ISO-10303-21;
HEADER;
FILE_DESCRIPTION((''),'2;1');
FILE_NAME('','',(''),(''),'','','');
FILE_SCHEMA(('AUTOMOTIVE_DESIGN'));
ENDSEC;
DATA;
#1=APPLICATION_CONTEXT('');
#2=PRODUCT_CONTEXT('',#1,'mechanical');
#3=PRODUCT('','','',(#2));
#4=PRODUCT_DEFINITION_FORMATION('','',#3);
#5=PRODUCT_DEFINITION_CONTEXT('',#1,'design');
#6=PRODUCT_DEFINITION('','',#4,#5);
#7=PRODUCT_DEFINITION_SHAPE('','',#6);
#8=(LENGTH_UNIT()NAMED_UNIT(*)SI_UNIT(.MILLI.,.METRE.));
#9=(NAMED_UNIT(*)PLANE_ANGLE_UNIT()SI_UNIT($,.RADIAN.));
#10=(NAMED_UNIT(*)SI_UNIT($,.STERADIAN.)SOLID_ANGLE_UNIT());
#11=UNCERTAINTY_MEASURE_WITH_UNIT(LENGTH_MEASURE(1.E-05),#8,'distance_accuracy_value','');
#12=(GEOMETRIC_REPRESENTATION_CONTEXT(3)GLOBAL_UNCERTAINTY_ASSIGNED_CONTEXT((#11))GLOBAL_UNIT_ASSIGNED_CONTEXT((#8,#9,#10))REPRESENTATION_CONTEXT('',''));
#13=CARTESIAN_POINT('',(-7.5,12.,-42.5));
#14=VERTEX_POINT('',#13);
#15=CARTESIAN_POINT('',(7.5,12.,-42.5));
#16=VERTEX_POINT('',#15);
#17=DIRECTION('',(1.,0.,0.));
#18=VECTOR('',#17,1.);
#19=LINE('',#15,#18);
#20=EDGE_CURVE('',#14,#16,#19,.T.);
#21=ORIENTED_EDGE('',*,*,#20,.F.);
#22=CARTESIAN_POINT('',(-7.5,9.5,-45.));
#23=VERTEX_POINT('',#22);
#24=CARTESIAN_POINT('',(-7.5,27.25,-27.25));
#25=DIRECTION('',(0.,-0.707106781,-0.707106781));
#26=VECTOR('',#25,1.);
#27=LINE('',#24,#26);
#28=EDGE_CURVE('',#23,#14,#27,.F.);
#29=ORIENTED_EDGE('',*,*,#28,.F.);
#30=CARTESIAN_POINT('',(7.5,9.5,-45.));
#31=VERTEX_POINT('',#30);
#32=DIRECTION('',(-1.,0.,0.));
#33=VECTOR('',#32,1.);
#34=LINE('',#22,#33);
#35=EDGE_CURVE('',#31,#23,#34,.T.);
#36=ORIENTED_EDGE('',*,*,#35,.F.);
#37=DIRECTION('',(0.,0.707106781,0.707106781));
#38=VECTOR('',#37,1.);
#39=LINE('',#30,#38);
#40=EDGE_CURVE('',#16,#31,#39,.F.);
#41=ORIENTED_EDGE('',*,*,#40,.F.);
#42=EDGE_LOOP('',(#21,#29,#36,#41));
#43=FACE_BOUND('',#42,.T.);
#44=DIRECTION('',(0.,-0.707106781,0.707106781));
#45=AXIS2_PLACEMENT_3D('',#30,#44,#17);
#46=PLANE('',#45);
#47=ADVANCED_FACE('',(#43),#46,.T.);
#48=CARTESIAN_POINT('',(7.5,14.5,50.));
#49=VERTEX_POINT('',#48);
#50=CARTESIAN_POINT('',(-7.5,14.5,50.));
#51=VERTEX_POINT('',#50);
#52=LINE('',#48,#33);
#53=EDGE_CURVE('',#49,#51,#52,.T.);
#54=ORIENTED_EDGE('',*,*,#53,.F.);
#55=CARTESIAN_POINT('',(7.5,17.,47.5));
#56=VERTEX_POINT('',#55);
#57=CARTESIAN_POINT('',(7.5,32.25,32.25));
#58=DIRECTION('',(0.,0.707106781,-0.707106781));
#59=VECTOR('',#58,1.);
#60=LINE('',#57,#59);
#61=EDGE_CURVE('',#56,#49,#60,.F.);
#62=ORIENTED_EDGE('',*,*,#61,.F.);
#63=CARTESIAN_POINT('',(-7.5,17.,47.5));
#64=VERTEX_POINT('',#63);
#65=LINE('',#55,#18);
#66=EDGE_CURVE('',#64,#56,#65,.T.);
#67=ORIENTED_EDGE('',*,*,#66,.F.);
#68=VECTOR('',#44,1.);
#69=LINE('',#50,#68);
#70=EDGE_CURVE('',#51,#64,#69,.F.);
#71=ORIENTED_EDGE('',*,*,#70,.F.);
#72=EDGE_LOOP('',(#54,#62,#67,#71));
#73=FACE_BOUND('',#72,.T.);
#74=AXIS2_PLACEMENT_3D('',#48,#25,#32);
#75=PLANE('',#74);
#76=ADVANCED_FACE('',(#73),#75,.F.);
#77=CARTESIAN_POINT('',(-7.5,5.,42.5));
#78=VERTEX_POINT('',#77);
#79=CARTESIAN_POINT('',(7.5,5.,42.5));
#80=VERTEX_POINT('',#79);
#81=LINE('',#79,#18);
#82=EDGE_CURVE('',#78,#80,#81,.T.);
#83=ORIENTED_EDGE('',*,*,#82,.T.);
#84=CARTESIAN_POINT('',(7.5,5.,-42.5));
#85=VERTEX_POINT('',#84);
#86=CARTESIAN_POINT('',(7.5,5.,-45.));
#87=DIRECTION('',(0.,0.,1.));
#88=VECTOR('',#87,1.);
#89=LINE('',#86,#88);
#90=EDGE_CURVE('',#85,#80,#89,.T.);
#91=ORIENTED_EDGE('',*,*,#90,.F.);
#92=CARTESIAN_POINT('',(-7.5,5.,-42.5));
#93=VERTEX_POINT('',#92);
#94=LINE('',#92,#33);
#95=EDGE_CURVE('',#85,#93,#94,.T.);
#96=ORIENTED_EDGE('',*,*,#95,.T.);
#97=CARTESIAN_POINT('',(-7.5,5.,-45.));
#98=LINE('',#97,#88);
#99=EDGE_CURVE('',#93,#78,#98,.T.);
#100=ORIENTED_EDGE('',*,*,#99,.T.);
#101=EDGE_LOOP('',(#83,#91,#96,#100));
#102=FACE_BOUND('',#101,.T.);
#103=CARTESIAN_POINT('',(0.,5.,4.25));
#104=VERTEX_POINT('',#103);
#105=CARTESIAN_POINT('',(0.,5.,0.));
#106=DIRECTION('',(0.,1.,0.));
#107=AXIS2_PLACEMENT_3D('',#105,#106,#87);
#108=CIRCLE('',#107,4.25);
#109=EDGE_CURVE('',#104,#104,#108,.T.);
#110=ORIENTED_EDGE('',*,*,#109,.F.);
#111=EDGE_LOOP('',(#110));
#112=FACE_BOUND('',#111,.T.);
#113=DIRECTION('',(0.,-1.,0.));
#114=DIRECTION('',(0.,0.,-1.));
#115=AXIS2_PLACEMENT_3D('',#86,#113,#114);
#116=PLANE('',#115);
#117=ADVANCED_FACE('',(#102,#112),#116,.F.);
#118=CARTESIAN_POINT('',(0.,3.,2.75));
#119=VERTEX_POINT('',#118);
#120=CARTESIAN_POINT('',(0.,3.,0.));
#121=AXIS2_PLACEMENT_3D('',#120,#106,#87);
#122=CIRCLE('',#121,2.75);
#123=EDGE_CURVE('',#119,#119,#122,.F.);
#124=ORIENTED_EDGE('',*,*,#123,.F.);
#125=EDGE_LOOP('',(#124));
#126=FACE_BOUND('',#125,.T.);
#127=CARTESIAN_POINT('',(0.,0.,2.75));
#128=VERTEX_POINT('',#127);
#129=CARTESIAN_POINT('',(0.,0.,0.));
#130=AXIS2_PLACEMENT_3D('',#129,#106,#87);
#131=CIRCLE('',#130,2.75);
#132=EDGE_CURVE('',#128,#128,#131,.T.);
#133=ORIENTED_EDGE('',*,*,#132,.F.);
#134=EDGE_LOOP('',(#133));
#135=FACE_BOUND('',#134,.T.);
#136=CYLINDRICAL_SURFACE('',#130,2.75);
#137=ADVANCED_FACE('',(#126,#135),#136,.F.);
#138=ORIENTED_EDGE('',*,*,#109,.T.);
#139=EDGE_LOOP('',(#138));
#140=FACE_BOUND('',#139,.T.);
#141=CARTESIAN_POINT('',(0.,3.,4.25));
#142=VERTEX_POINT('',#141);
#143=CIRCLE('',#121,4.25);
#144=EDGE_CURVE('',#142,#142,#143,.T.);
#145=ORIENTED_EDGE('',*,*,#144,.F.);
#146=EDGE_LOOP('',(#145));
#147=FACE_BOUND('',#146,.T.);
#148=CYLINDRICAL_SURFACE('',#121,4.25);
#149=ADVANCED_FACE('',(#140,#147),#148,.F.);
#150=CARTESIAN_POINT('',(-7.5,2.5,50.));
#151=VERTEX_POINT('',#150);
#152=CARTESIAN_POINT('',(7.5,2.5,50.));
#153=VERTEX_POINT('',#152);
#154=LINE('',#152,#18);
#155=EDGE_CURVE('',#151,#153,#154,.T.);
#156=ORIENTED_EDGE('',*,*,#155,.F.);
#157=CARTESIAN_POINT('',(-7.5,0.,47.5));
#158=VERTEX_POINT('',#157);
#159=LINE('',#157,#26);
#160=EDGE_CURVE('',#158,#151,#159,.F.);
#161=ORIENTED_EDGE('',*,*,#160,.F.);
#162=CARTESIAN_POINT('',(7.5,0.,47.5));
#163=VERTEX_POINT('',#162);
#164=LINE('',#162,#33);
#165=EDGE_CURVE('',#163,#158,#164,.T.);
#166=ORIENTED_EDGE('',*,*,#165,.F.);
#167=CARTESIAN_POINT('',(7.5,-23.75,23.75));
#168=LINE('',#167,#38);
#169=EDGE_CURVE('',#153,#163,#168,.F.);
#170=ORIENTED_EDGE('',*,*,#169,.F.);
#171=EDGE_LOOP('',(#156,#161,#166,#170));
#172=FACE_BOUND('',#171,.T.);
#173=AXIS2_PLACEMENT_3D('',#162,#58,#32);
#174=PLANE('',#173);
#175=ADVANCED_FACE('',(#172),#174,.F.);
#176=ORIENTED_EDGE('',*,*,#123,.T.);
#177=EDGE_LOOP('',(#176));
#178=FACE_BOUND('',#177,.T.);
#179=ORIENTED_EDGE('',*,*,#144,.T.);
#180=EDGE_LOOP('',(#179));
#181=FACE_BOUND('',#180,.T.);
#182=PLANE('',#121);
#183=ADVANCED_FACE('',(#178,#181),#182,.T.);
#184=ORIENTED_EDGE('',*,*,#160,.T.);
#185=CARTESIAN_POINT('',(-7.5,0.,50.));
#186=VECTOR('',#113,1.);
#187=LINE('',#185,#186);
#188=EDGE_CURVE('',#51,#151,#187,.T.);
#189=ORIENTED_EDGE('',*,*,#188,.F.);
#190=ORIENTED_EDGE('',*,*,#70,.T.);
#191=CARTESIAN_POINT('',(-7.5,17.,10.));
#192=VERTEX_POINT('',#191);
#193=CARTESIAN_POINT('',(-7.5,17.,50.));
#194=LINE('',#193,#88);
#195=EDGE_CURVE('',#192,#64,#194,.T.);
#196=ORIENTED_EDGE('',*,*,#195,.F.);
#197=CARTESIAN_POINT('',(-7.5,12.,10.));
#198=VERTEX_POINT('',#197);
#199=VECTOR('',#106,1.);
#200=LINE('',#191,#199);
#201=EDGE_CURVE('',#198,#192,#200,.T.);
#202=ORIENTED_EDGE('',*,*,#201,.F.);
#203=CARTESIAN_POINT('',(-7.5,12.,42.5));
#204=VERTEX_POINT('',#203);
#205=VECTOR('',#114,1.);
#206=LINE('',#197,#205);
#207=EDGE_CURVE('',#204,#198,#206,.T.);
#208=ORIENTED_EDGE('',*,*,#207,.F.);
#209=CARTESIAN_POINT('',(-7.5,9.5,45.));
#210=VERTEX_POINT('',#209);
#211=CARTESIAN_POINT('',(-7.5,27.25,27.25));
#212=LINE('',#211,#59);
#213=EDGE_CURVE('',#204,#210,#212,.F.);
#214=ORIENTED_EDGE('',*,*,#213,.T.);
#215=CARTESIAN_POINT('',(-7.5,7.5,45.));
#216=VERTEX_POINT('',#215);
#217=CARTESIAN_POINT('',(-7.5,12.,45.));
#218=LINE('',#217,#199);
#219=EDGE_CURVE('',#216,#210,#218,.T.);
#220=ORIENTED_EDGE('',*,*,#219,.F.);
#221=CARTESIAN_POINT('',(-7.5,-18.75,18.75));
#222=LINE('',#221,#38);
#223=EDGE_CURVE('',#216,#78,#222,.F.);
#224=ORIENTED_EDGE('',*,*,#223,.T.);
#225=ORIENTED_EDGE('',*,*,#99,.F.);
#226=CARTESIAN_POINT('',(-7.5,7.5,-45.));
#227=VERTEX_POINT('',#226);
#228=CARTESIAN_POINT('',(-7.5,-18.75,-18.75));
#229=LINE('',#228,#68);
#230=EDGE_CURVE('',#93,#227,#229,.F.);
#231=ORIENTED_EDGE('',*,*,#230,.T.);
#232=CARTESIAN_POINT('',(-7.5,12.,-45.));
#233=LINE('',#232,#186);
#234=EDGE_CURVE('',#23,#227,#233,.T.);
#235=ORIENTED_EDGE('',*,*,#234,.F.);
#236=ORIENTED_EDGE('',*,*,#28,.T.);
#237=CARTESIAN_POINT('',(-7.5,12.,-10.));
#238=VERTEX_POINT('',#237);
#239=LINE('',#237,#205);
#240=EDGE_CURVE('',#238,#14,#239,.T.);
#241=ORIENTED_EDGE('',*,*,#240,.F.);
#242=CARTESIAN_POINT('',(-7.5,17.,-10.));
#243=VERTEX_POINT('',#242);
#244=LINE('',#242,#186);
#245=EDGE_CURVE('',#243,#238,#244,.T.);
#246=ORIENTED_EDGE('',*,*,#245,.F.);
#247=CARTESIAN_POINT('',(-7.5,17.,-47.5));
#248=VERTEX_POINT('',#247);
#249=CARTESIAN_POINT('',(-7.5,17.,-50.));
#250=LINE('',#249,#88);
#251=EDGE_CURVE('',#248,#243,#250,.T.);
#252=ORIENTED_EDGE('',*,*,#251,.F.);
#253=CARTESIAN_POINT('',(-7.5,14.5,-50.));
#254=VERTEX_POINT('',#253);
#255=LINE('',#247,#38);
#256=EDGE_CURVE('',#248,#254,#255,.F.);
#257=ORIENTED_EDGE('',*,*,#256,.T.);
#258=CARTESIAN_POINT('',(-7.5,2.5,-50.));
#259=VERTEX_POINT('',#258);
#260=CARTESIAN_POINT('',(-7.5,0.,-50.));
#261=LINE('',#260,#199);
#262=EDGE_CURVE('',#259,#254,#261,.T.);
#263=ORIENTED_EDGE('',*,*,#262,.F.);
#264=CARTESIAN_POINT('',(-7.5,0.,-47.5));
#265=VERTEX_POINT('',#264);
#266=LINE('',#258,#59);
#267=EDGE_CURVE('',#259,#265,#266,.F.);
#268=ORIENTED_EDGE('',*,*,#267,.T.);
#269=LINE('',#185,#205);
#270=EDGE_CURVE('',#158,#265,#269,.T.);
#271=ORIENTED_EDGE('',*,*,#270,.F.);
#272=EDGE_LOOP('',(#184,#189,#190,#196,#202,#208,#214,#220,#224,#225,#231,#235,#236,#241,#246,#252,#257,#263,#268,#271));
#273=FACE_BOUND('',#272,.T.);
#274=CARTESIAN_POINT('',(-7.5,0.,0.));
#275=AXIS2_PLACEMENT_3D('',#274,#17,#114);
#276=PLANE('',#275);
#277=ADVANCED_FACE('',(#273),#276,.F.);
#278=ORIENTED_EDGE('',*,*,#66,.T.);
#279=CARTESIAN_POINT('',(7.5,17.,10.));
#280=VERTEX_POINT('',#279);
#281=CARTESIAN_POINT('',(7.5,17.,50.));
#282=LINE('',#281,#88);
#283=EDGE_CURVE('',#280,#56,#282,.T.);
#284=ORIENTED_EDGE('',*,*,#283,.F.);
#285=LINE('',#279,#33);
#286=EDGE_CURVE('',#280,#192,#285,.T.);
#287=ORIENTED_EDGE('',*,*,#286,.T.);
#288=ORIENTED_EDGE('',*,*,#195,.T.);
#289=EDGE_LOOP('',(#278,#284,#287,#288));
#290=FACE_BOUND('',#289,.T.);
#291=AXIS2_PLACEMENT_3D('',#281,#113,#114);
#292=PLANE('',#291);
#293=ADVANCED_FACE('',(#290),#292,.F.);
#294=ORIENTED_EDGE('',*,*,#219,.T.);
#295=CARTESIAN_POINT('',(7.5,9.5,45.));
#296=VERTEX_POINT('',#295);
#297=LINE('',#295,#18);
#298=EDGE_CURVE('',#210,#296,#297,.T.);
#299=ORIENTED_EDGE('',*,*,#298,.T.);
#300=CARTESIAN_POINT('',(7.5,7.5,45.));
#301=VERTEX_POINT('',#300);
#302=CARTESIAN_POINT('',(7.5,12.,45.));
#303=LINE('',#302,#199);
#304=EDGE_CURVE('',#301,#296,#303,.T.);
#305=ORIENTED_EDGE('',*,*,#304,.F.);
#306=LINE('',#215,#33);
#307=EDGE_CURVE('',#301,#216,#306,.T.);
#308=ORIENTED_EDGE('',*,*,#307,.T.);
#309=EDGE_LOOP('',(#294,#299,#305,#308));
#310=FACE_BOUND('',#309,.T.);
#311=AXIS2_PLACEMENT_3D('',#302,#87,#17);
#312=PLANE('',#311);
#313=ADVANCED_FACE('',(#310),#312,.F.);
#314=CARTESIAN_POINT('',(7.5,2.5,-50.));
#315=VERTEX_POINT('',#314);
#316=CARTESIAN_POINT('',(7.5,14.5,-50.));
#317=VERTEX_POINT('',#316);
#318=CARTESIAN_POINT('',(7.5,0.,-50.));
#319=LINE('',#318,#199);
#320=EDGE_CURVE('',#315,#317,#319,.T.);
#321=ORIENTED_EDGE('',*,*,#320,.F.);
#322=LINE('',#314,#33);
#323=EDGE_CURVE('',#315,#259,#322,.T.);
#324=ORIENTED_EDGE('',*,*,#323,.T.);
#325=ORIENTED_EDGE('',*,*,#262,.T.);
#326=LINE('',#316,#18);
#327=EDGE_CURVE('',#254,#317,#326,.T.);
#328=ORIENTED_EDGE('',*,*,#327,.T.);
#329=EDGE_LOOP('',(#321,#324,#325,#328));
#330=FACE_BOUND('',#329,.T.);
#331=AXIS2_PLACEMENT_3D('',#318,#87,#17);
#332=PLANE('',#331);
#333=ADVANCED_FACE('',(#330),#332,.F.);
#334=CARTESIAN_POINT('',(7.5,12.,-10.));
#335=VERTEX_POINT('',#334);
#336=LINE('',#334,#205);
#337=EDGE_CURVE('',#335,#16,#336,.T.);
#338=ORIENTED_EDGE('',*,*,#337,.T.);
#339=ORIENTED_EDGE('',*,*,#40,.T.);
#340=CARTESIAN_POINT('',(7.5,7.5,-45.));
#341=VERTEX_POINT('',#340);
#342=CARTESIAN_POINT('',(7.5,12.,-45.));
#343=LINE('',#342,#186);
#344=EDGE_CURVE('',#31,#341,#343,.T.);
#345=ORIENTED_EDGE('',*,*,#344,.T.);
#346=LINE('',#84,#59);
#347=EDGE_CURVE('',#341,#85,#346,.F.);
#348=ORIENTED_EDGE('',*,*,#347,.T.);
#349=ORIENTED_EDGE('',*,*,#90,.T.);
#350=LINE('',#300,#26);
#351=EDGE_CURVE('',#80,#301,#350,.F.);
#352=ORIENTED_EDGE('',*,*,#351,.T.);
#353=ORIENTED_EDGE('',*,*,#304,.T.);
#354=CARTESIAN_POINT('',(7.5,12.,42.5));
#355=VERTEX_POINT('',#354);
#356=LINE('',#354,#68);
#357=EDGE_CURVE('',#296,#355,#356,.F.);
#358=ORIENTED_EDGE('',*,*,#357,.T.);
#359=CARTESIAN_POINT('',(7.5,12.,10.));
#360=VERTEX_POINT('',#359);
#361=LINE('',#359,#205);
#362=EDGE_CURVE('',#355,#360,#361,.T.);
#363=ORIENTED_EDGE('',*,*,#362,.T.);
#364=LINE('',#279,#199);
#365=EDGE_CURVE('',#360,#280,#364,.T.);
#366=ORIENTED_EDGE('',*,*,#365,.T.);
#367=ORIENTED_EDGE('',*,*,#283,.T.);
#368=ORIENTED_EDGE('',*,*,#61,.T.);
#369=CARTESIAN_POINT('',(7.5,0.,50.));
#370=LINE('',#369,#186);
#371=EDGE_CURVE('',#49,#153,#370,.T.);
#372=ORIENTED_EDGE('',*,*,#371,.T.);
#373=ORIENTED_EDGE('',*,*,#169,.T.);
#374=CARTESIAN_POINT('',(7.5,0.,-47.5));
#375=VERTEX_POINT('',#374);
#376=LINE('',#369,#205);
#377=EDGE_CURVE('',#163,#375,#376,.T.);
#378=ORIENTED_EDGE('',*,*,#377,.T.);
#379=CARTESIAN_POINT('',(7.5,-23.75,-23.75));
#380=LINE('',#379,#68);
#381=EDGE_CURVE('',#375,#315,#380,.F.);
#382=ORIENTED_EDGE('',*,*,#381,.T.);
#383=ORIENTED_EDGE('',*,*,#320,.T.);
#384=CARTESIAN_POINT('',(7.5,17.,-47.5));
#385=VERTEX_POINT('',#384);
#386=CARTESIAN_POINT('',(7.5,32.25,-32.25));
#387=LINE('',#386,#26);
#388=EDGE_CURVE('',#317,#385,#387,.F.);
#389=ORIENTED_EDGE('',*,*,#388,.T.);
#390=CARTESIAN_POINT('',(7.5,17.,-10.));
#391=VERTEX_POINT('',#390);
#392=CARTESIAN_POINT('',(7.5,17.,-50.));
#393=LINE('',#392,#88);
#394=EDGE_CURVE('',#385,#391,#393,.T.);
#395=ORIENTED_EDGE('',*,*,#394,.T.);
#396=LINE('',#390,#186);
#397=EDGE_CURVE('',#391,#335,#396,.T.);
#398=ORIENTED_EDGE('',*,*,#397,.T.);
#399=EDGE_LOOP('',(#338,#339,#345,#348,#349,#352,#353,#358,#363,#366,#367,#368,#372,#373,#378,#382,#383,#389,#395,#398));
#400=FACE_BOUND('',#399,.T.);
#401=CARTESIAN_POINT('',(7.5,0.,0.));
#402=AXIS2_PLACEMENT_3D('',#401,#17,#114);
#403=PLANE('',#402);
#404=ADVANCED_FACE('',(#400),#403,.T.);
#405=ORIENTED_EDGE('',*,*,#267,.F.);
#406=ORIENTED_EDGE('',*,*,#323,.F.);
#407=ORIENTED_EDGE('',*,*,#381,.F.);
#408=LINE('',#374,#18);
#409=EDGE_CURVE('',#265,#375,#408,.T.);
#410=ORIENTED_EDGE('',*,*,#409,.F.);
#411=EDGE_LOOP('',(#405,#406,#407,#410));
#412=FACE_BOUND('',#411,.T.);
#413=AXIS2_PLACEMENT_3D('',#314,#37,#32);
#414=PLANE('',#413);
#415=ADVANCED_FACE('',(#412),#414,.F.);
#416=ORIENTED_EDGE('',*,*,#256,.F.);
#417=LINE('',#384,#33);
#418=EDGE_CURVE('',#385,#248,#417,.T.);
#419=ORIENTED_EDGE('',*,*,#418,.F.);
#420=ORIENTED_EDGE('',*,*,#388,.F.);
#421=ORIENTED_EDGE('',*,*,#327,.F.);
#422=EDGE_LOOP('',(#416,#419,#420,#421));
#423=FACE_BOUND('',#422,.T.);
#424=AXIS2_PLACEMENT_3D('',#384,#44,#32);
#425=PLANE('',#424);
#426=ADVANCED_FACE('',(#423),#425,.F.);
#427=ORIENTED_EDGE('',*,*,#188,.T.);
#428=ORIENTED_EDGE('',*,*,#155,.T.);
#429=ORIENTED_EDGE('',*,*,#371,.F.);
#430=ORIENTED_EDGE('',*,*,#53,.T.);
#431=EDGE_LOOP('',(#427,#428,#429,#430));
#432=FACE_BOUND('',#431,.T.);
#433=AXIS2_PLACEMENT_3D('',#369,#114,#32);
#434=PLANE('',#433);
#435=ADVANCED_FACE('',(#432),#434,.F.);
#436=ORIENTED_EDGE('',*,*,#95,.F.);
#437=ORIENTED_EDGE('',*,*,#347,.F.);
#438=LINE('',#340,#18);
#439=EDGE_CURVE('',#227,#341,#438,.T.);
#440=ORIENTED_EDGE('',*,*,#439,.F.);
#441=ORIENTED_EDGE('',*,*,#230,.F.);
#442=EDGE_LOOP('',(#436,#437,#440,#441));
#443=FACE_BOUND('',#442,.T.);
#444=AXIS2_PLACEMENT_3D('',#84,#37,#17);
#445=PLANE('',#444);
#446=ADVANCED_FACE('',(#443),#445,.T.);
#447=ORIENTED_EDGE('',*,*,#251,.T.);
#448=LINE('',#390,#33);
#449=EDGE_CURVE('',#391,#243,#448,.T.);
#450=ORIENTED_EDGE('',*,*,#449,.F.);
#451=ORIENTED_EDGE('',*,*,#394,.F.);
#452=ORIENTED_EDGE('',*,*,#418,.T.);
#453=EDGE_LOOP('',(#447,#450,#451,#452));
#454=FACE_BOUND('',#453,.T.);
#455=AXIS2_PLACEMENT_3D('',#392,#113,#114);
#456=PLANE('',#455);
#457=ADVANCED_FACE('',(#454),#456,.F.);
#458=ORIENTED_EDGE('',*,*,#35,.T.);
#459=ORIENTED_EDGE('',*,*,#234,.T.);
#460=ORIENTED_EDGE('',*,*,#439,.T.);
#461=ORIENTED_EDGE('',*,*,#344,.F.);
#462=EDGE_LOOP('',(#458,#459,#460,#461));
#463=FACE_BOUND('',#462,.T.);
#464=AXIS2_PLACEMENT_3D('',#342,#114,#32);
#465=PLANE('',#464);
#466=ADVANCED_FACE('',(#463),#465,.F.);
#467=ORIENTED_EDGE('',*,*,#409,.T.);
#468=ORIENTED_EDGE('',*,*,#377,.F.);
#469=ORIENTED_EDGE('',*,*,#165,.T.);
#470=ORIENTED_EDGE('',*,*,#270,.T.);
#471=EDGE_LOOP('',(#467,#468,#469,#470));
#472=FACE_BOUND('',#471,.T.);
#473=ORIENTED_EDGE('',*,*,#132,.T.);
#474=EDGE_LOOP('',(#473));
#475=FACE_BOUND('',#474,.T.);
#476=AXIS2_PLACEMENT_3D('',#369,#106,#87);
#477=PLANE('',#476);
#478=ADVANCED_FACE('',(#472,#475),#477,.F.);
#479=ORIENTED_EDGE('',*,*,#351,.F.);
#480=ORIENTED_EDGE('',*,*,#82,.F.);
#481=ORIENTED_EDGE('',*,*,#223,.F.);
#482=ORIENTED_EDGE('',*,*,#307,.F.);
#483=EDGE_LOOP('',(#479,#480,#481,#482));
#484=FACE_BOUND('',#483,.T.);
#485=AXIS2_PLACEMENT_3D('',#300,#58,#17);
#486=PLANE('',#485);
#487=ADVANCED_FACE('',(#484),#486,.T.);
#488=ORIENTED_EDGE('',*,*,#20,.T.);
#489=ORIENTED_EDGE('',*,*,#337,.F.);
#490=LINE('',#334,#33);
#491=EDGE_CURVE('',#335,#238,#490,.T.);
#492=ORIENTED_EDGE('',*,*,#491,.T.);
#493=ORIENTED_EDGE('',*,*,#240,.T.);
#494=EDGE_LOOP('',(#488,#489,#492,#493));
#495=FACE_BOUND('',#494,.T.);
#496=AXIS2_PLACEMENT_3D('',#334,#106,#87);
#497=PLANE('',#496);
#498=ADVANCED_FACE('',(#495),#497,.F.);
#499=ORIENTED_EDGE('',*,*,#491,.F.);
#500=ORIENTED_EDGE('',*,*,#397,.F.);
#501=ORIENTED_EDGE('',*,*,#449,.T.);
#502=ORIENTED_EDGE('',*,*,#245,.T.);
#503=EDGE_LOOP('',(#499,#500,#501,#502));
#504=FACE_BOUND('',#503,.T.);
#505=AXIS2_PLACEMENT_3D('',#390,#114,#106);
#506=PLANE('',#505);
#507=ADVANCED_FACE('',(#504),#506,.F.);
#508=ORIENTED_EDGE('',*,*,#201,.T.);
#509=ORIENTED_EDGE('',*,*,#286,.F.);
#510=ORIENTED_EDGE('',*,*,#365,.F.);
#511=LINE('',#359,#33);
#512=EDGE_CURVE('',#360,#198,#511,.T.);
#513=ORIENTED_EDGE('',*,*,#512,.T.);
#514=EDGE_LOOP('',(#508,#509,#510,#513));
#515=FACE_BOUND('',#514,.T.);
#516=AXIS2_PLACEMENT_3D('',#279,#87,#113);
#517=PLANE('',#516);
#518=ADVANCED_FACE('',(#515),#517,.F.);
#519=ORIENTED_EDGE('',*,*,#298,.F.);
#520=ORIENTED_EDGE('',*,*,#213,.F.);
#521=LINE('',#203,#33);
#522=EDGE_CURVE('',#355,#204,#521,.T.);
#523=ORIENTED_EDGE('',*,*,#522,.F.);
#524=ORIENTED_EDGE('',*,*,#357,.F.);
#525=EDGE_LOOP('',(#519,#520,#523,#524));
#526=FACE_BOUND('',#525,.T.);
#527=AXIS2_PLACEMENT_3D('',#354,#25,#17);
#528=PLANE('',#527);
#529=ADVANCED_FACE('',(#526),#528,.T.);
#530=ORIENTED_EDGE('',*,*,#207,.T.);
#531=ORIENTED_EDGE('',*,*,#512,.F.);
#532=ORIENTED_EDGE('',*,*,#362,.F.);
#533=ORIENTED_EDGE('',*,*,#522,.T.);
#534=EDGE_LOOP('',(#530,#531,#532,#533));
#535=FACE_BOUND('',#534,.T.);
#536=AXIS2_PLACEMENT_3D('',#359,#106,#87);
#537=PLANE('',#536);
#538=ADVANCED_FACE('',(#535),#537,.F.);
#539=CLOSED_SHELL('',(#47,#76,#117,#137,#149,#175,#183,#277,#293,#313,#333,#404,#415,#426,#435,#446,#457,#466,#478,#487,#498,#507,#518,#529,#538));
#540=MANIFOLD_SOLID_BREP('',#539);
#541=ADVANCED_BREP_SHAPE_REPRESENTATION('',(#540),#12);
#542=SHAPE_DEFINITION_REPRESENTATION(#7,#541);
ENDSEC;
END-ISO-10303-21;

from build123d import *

# Parameters (mm, degrees)
BOSS_EXTRUDE1_DEPTH = 7.5
CHAMFER1_SIZE       = 2.5
SKETCH2_R           = 2.75
CUT_EXTRUDE1_DEPTH  = 52.963929798
SKETCH3_R           = 4.25
CUT_EXTRUDE2_DEPTH  = 2


with BuildPart() as part:
    # Sketch1 → Boss-Extrude1 (new, symmetric)
    with BuildSketch(Plane(origin=(0, 0, 0), x_dir=(0, 0, -1), z_dir=(1, 0, 0))):
        Polygon((10, 17), (10, 12), (45, 12), (45, 5), (-45, 5), (-45, 12), (-10, 12), (-10, 17), (-50, 17), (-50, 0), (50, 0), (50, 17), align=None)
    extrude(amount=BOSS_EXTRUDE1_DEPTH, both=True)

    # Chamfer1
    chamfer1_edges = [part.edges().sort_by_distance(p)[0] for p in [
        (0, 17, -50),
        (0, 0, -50),
        (0, 0, 50),
        (0, 17, 50),
        (0, 12, 45),
        (0, 5, 45),
        (0, 5, -45),
        (0, 12, -45),
    ]]
    chamfer(chamfer1_edges, length=CHAMFER1_SIZE)

    # Sketch2 → Cut-Extrude1 (cut, through all)
    with BuildSketch(Plane(origin=(0, 5, 0), x_dir=(1, 0, 0), z_dir=(0, 1, 0))):
        with Locations(Location((0, 0, 0), (0, 0, 270))):
            Circle(SKETCH2_R)
    extrude(amount=-CUT_EXTRUDE1_DEPTH, mode=Mode.SUBTRACT)

    # Sketch3 → Cut-Extrude2 (cut)
    with BuildSketch(Plane(origin=(0, 5, 0), x_dir=(1, 0, 0), z_dir=(0, 1, 0))):
        with Locations(Location((0, 0, 0), (0, 0, 270))):
            Circle(SKETCH3_R)
    extrude(amount=-CUT_EXTRUDE2_DEPTH, mode=Mode.SUBTRACT)


solid = part.part
